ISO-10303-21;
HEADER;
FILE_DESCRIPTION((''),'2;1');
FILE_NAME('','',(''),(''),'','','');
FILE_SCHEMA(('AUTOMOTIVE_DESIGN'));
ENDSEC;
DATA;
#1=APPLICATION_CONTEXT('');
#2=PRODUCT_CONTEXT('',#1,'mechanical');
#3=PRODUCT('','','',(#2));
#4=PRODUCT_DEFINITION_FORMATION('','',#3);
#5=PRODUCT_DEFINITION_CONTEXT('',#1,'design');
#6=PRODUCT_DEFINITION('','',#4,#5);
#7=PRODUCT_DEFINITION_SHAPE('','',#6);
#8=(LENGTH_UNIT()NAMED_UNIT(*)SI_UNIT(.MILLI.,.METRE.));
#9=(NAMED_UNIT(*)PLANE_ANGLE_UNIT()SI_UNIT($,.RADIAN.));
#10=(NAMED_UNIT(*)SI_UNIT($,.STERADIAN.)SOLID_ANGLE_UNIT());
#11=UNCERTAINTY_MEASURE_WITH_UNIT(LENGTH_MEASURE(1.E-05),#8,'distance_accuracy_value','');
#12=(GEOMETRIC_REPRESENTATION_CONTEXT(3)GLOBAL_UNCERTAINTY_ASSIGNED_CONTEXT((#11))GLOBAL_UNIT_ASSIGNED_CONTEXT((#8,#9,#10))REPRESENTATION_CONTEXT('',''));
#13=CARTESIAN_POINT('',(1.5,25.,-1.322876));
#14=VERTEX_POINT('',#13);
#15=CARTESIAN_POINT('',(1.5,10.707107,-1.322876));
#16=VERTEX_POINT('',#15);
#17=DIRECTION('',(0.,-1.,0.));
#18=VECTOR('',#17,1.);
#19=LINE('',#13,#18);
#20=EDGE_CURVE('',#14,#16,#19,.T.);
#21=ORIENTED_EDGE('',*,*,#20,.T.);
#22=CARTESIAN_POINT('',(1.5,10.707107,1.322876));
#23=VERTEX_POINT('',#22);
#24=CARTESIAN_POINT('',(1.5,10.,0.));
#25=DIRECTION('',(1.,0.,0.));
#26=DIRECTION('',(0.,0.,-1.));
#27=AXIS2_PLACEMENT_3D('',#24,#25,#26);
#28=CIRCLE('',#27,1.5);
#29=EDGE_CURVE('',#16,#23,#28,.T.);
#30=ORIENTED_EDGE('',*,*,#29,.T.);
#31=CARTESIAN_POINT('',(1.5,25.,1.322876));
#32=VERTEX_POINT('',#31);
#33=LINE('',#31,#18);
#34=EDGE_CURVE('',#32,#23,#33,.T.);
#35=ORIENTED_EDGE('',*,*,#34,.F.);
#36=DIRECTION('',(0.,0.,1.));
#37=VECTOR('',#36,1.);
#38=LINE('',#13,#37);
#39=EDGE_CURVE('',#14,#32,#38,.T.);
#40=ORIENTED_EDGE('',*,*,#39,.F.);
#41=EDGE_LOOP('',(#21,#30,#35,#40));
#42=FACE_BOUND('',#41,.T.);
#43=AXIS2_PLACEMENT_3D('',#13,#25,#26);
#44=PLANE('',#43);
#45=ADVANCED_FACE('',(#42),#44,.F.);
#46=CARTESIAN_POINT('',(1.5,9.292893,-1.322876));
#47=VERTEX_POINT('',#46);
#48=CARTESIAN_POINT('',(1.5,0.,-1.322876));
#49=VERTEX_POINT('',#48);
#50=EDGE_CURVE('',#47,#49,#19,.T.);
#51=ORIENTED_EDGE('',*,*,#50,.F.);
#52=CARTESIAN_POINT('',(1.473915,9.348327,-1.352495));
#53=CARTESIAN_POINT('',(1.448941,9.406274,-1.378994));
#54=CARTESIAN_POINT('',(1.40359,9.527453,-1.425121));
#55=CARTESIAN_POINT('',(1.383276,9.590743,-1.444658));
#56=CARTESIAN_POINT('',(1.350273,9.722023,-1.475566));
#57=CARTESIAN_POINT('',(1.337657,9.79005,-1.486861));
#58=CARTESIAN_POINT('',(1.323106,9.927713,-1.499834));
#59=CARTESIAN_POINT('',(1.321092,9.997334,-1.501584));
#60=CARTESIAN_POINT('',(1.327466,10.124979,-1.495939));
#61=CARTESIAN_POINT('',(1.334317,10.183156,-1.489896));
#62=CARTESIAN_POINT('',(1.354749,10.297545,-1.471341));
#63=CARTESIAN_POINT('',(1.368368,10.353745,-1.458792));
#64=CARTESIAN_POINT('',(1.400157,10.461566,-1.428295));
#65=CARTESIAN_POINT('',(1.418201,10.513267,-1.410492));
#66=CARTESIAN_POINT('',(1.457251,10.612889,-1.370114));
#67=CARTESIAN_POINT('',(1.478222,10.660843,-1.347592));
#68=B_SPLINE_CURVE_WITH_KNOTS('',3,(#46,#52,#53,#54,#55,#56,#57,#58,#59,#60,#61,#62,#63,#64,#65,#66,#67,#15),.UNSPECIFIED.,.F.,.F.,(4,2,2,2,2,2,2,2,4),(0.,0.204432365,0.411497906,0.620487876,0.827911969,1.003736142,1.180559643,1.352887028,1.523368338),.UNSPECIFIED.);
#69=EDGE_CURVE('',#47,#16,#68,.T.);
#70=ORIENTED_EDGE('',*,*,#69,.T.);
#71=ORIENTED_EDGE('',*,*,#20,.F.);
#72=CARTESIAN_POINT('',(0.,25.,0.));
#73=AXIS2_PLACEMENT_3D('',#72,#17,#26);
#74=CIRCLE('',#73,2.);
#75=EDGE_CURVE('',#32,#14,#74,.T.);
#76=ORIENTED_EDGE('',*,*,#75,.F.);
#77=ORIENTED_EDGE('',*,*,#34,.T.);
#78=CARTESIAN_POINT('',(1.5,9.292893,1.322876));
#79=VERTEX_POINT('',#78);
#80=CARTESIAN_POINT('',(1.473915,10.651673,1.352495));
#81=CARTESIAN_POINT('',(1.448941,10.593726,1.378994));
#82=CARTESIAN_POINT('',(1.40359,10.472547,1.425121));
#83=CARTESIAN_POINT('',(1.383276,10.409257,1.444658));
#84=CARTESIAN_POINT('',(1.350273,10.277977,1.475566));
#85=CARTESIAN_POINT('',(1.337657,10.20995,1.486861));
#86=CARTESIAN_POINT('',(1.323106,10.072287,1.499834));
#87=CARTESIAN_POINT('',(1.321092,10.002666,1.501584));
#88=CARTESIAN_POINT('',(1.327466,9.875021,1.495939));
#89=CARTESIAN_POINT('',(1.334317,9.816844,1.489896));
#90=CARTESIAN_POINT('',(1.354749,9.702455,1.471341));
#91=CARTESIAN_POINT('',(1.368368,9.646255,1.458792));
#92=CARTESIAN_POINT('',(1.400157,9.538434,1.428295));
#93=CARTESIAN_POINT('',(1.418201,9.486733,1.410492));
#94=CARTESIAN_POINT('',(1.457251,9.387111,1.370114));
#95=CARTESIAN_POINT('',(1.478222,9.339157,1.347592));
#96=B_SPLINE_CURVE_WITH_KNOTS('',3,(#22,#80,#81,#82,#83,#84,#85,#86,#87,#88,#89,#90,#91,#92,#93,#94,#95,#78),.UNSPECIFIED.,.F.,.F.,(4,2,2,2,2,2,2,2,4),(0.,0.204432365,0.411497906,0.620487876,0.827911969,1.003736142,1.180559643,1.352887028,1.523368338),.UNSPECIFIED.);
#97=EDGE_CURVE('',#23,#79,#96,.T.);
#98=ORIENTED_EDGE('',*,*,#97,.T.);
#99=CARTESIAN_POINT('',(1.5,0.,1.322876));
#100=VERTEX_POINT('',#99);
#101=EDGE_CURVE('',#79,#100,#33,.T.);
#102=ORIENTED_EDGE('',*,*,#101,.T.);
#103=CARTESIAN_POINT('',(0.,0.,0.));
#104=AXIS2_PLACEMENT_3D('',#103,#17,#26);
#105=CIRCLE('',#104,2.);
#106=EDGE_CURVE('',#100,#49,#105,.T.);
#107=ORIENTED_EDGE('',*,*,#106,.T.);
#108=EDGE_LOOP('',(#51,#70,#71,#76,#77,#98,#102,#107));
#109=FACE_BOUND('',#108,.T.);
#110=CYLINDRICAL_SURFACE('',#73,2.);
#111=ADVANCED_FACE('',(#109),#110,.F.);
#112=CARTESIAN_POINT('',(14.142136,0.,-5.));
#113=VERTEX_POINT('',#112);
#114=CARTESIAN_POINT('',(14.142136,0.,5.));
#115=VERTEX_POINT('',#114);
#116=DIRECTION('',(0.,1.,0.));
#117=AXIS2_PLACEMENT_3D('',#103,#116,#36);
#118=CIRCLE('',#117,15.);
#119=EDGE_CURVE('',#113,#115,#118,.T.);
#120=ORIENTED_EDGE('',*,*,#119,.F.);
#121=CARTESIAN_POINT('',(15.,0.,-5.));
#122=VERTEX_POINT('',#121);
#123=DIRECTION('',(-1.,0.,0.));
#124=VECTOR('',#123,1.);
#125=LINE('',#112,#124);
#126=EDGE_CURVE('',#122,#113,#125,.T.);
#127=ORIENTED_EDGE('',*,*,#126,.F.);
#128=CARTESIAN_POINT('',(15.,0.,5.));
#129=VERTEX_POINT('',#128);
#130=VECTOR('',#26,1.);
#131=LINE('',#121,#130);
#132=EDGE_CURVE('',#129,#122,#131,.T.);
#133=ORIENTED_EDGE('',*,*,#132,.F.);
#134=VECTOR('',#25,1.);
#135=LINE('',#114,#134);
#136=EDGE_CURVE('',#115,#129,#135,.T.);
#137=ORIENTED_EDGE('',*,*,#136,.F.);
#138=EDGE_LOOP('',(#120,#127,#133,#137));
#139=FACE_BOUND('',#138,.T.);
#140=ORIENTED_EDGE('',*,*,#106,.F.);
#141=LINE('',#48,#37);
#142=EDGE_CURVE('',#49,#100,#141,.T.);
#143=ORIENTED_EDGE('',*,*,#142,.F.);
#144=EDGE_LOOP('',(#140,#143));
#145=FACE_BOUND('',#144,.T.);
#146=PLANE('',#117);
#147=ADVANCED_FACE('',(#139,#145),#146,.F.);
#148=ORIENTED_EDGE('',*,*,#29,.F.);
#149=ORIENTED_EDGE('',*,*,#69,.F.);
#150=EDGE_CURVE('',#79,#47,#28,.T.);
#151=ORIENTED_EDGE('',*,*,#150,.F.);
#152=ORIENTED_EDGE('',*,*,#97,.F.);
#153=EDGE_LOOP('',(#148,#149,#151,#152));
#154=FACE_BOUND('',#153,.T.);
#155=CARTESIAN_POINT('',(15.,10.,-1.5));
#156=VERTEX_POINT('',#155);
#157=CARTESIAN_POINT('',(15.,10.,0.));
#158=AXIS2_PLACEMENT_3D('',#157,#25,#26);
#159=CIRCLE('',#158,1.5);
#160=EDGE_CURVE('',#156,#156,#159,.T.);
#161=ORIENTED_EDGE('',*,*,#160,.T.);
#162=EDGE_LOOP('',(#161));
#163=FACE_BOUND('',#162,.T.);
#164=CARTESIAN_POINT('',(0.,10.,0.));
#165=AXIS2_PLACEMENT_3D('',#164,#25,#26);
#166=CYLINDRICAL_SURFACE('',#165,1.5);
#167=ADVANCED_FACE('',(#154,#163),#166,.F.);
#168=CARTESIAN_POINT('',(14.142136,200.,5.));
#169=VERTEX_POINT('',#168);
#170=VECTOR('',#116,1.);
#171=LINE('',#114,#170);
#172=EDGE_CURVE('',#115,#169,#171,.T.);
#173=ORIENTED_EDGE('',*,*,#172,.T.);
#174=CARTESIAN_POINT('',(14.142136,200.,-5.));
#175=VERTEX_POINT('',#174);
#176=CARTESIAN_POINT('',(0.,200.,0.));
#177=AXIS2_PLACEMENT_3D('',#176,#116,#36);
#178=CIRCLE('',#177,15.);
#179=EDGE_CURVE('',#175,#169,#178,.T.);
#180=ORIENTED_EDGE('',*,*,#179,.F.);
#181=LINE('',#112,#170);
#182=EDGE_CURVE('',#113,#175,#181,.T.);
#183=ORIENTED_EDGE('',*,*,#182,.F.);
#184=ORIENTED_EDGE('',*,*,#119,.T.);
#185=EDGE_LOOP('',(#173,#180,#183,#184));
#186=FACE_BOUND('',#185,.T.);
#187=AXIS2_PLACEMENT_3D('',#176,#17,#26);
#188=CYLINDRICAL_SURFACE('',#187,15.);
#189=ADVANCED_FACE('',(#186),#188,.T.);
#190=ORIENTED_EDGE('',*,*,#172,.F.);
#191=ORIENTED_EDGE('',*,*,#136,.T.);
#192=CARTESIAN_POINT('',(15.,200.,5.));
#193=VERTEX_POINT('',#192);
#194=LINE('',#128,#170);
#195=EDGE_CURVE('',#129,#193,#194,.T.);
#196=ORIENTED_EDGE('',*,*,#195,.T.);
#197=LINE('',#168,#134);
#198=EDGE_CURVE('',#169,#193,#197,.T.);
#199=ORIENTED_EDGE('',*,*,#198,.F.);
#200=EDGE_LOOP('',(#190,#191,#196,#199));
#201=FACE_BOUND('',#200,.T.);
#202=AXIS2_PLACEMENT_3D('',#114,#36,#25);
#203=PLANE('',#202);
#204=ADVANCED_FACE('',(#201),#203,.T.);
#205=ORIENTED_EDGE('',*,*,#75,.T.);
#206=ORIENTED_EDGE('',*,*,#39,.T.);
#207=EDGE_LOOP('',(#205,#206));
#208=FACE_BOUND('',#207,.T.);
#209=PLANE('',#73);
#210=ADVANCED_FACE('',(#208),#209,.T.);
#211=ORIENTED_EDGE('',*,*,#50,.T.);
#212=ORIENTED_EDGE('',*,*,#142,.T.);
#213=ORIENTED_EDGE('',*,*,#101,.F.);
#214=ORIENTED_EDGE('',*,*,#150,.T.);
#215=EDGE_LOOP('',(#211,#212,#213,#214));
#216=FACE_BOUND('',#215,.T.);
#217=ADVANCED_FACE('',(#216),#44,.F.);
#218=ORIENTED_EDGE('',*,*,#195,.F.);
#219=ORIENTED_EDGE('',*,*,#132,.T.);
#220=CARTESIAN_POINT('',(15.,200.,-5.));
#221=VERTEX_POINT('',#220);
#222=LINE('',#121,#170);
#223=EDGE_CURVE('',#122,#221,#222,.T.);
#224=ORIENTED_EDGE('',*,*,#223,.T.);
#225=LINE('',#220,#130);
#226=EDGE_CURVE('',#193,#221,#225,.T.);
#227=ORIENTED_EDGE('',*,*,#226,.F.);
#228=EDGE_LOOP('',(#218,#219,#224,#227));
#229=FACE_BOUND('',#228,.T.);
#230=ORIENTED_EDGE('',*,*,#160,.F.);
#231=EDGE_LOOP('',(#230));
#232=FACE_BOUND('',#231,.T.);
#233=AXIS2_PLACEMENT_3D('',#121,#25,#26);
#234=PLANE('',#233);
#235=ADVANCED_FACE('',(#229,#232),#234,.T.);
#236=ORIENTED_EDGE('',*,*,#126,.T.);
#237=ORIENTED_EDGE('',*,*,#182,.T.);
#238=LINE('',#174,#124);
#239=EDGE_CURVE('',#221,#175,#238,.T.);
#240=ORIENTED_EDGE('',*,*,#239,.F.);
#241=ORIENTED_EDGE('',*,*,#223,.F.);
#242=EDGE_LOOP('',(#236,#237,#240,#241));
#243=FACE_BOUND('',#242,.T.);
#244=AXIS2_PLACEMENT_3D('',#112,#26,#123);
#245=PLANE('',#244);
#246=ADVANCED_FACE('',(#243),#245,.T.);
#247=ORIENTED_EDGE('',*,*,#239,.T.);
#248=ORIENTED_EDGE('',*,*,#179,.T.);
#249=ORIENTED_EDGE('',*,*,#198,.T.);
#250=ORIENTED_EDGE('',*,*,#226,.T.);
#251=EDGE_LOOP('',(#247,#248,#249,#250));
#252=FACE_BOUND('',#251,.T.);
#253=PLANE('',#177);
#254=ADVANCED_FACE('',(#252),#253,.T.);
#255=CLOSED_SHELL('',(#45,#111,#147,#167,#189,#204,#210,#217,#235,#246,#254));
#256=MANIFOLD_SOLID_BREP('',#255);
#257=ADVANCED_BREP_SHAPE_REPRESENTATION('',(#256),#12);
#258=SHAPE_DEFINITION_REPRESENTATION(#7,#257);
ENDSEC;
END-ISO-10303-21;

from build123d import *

# Parameters (mm, degrees)
SKETCH1_R           = 15
BOSS_EXTRUDE1_DEPTH = 200
SKETCH2_W           = 0.857864376
SKETCH2_H           = 10
BOSS_EXTRUDE2_DEPTH = 200
CUT_EXTRUDE1_DEPTH  = 25
SKETCH4_R           = 1.5
CUT_EXTRUDE2_DEPTH  = 15


with BuildPart() as part:
    # Sketch1 → Boss-Extrude1 (new body)
    with BuildSketch(Plane(origin=(0, 0, 0), x_dir=(1, 0, 0), z_dir=(0, 1, 0))):
        with Locations(Location((0, 0, 0), (0, 0, 270))):
            Circle(SKETCH1_R)
    extrude(amount=BOSS_EXTRUDE1_DEPTH)

    # Sketch2 → Boss-Extrude2 (add)
    with BuildSketch(Plane(origin=(0, 200, 0), x_dir=(1, 0, 0), z_dir=(0, 1, 0))):
        with Locations((14.571067812, 0)):
            Rectangle(SKETCH2_W, SKETCH2_H)
    extrude(amount=-BOSS_EXTRUDE2_DEPTH)

    # Sketch3 → Cut-Extrude1 (cut)
    with BuildSketch(Plane.XZ):
        with BuildLine():
            Line((1.5, -1.322875656), (1.5, 1.322875656))
            ThreePointArc((1.5, 1.322875656), (-2, 0), (1.5, -1.322875656))
        make_face()
    extrude(amount=-CUT_EXTRUDE1_DEPTH, mode=Mode.SUBTRACT)

    # Sketch4 → Cut-Extrude2 (cut)
    with BuildSketch(Plane(origin=(15, 0, 0), x_dir=(0, 0, -1), z_dir=(1, 0, 0))):
        with Locations((0, 10)):
            Circle(SKETCH4_R)
    extrude(amount=-CUT_EXTRUDE2_DEPTH, mode=Mode.SUBTRACT)


solid = part.part
